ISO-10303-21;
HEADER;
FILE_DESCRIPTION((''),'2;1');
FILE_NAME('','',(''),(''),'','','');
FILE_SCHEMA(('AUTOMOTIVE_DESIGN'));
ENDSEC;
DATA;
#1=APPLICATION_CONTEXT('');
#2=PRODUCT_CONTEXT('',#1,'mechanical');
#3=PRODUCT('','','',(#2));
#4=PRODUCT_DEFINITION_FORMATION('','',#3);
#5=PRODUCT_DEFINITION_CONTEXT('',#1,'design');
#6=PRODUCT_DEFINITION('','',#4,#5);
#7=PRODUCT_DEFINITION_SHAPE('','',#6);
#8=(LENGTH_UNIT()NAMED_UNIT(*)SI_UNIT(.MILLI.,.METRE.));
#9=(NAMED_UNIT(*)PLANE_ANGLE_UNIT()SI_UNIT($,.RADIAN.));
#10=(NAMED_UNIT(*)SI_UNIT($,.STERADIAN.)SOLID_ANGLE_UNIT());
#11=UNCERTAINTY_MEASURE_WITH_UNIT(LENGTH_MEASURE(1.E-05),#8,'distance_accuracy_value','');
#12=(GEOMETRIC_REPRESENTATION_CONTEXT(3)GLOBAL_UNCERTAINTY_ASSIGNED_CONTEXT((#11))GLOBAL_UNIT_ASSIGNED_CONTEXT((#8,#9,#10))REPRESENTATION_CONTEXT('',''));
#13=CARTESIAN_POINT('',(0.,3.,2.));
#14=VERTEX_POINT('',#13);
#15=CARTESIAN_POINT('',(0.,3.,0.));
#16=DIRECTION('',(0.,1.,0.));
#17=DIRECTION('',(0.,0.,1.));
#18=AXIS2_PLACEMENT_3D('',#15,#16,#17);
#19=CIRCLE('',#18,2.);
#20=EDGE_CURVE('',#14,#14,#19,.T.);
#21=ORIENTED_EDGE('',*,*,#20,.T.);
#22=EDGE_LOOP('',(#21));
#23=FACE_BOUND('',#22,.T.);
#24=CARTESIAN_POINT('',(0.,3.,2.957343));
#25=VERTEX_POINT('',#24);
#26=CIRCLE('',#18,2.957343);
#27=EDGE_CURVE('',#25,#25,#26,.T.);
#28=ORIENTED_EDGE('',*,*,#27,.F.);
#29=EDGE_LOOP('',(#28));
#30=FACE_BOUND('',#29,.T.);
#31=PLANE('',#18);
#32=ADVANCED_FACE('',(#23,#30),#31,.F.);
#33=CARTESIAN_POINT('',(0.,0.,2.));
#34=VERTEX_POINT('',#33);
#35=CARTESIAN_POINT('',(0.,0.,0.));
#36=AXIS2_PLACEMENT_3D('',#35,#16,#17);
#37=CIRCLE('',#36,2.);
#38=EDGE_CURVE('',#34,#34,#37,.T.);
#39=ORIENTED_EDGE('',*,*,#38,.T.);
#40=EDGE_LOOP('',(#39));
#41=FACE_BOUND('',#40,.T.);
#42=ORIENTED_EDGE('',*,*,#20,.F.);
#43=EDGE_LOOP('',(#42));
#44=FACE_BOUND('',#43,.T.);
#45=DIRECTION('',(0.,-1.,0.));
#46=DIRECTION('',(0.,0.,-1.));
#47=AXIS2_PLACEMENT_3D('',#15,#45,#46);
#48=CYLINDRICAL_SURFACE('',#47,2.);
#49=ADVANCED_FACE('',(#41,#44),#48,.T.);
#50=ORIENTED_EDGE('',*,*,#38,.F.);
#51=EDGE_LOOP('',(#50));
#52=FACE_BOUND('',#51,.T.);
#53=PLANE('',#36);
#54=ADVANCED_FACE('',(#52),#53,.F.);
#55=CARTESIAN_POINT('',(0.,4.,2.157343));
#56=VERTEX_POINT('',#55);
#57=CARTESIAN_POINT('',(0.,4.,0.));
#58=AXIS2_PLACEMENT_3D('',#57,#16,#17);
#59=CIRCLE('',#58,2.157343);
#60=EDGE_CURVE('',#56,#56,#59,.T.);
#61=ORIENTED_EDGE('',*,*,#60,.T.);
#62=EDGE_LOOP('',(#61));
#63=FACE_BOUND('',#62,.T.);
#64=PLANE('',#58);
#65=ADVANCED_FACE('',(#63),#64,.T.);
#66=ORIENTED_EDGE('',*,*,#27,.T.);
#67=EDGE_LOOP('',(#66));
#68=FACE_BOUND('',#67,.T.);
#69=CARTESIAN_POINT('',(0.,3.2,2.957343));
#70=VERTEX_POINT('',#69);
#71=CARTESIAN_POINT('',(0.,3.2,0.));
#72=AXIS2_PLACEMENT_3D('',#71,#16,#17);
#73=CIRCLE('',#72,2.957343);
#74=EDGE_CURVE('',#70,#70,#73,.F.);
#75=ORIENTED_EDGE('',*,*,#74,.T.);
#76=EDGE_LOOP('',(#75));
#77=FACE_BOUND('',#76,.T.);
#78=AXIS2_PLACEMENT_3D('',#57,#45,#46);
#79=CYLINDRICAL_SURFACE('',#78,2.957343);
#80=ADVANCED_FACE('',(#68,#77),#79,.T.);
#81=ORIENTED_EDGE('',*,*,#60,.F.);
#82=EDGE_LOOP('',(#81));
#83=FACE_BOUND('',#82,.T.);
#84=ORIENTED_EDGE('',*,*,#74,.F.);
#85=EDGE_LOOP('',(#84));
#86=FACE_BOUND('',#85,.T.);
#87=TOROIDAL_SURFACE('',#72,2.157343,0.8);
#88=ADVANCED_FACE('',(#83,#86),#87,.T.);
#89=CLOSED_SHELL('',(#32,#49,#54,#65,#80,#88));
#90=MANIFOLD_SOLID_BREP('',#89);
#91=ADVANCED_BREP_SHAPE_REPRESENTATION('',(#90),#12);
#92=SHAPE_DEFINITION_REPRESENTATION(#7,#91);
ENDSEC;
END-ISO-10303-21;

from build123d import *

# Parameters (mm, degrees)
SKETCH1_R           = 2
BOSS_EXTRUDE1_DEPTH = 3
SKETCH2_R           = 2.957342588
BOSS_EXTRUDE2_DEPTH = 1
FILLET1_R           = 0.8


with BuildPart() as part:
    # Sketch1 → Boss-Extrude1 (new body)
    with BuildSketch(Plane(origin=(0, 0, 0), x_dir=(1, 0, 0), z_dir=(0, 1, 0))):
        with Locations(Location((0, 0, 0), (0, 0, 270))):
            Circle(SKETCH1_R)
    extrude(amount=BOSS_EXTRUDE1_DEPTH)

    # Sketch2 → Boss-Extrude2 (add)
    with BuildSketch(Plane(origin=(0, 3, 0), x_dir=(1, 0, 0), z_dir=(0, 1, 0))):
        with Locations(Location((0, 0, 0), (0, 0, 270))):
            Circle(SKETCH2_R)
    extrude(amount=BOSS_EXTRUDE2_DEPTH)

    # Fillet1
    fillet1_edges = [part.edges().sort_by_distance(p)[0] for p in [
        (0, 4, -2.957342588),
    ]]
    fillet(fillet1_edges, radius=FILLET1_R)


solid = part.part
